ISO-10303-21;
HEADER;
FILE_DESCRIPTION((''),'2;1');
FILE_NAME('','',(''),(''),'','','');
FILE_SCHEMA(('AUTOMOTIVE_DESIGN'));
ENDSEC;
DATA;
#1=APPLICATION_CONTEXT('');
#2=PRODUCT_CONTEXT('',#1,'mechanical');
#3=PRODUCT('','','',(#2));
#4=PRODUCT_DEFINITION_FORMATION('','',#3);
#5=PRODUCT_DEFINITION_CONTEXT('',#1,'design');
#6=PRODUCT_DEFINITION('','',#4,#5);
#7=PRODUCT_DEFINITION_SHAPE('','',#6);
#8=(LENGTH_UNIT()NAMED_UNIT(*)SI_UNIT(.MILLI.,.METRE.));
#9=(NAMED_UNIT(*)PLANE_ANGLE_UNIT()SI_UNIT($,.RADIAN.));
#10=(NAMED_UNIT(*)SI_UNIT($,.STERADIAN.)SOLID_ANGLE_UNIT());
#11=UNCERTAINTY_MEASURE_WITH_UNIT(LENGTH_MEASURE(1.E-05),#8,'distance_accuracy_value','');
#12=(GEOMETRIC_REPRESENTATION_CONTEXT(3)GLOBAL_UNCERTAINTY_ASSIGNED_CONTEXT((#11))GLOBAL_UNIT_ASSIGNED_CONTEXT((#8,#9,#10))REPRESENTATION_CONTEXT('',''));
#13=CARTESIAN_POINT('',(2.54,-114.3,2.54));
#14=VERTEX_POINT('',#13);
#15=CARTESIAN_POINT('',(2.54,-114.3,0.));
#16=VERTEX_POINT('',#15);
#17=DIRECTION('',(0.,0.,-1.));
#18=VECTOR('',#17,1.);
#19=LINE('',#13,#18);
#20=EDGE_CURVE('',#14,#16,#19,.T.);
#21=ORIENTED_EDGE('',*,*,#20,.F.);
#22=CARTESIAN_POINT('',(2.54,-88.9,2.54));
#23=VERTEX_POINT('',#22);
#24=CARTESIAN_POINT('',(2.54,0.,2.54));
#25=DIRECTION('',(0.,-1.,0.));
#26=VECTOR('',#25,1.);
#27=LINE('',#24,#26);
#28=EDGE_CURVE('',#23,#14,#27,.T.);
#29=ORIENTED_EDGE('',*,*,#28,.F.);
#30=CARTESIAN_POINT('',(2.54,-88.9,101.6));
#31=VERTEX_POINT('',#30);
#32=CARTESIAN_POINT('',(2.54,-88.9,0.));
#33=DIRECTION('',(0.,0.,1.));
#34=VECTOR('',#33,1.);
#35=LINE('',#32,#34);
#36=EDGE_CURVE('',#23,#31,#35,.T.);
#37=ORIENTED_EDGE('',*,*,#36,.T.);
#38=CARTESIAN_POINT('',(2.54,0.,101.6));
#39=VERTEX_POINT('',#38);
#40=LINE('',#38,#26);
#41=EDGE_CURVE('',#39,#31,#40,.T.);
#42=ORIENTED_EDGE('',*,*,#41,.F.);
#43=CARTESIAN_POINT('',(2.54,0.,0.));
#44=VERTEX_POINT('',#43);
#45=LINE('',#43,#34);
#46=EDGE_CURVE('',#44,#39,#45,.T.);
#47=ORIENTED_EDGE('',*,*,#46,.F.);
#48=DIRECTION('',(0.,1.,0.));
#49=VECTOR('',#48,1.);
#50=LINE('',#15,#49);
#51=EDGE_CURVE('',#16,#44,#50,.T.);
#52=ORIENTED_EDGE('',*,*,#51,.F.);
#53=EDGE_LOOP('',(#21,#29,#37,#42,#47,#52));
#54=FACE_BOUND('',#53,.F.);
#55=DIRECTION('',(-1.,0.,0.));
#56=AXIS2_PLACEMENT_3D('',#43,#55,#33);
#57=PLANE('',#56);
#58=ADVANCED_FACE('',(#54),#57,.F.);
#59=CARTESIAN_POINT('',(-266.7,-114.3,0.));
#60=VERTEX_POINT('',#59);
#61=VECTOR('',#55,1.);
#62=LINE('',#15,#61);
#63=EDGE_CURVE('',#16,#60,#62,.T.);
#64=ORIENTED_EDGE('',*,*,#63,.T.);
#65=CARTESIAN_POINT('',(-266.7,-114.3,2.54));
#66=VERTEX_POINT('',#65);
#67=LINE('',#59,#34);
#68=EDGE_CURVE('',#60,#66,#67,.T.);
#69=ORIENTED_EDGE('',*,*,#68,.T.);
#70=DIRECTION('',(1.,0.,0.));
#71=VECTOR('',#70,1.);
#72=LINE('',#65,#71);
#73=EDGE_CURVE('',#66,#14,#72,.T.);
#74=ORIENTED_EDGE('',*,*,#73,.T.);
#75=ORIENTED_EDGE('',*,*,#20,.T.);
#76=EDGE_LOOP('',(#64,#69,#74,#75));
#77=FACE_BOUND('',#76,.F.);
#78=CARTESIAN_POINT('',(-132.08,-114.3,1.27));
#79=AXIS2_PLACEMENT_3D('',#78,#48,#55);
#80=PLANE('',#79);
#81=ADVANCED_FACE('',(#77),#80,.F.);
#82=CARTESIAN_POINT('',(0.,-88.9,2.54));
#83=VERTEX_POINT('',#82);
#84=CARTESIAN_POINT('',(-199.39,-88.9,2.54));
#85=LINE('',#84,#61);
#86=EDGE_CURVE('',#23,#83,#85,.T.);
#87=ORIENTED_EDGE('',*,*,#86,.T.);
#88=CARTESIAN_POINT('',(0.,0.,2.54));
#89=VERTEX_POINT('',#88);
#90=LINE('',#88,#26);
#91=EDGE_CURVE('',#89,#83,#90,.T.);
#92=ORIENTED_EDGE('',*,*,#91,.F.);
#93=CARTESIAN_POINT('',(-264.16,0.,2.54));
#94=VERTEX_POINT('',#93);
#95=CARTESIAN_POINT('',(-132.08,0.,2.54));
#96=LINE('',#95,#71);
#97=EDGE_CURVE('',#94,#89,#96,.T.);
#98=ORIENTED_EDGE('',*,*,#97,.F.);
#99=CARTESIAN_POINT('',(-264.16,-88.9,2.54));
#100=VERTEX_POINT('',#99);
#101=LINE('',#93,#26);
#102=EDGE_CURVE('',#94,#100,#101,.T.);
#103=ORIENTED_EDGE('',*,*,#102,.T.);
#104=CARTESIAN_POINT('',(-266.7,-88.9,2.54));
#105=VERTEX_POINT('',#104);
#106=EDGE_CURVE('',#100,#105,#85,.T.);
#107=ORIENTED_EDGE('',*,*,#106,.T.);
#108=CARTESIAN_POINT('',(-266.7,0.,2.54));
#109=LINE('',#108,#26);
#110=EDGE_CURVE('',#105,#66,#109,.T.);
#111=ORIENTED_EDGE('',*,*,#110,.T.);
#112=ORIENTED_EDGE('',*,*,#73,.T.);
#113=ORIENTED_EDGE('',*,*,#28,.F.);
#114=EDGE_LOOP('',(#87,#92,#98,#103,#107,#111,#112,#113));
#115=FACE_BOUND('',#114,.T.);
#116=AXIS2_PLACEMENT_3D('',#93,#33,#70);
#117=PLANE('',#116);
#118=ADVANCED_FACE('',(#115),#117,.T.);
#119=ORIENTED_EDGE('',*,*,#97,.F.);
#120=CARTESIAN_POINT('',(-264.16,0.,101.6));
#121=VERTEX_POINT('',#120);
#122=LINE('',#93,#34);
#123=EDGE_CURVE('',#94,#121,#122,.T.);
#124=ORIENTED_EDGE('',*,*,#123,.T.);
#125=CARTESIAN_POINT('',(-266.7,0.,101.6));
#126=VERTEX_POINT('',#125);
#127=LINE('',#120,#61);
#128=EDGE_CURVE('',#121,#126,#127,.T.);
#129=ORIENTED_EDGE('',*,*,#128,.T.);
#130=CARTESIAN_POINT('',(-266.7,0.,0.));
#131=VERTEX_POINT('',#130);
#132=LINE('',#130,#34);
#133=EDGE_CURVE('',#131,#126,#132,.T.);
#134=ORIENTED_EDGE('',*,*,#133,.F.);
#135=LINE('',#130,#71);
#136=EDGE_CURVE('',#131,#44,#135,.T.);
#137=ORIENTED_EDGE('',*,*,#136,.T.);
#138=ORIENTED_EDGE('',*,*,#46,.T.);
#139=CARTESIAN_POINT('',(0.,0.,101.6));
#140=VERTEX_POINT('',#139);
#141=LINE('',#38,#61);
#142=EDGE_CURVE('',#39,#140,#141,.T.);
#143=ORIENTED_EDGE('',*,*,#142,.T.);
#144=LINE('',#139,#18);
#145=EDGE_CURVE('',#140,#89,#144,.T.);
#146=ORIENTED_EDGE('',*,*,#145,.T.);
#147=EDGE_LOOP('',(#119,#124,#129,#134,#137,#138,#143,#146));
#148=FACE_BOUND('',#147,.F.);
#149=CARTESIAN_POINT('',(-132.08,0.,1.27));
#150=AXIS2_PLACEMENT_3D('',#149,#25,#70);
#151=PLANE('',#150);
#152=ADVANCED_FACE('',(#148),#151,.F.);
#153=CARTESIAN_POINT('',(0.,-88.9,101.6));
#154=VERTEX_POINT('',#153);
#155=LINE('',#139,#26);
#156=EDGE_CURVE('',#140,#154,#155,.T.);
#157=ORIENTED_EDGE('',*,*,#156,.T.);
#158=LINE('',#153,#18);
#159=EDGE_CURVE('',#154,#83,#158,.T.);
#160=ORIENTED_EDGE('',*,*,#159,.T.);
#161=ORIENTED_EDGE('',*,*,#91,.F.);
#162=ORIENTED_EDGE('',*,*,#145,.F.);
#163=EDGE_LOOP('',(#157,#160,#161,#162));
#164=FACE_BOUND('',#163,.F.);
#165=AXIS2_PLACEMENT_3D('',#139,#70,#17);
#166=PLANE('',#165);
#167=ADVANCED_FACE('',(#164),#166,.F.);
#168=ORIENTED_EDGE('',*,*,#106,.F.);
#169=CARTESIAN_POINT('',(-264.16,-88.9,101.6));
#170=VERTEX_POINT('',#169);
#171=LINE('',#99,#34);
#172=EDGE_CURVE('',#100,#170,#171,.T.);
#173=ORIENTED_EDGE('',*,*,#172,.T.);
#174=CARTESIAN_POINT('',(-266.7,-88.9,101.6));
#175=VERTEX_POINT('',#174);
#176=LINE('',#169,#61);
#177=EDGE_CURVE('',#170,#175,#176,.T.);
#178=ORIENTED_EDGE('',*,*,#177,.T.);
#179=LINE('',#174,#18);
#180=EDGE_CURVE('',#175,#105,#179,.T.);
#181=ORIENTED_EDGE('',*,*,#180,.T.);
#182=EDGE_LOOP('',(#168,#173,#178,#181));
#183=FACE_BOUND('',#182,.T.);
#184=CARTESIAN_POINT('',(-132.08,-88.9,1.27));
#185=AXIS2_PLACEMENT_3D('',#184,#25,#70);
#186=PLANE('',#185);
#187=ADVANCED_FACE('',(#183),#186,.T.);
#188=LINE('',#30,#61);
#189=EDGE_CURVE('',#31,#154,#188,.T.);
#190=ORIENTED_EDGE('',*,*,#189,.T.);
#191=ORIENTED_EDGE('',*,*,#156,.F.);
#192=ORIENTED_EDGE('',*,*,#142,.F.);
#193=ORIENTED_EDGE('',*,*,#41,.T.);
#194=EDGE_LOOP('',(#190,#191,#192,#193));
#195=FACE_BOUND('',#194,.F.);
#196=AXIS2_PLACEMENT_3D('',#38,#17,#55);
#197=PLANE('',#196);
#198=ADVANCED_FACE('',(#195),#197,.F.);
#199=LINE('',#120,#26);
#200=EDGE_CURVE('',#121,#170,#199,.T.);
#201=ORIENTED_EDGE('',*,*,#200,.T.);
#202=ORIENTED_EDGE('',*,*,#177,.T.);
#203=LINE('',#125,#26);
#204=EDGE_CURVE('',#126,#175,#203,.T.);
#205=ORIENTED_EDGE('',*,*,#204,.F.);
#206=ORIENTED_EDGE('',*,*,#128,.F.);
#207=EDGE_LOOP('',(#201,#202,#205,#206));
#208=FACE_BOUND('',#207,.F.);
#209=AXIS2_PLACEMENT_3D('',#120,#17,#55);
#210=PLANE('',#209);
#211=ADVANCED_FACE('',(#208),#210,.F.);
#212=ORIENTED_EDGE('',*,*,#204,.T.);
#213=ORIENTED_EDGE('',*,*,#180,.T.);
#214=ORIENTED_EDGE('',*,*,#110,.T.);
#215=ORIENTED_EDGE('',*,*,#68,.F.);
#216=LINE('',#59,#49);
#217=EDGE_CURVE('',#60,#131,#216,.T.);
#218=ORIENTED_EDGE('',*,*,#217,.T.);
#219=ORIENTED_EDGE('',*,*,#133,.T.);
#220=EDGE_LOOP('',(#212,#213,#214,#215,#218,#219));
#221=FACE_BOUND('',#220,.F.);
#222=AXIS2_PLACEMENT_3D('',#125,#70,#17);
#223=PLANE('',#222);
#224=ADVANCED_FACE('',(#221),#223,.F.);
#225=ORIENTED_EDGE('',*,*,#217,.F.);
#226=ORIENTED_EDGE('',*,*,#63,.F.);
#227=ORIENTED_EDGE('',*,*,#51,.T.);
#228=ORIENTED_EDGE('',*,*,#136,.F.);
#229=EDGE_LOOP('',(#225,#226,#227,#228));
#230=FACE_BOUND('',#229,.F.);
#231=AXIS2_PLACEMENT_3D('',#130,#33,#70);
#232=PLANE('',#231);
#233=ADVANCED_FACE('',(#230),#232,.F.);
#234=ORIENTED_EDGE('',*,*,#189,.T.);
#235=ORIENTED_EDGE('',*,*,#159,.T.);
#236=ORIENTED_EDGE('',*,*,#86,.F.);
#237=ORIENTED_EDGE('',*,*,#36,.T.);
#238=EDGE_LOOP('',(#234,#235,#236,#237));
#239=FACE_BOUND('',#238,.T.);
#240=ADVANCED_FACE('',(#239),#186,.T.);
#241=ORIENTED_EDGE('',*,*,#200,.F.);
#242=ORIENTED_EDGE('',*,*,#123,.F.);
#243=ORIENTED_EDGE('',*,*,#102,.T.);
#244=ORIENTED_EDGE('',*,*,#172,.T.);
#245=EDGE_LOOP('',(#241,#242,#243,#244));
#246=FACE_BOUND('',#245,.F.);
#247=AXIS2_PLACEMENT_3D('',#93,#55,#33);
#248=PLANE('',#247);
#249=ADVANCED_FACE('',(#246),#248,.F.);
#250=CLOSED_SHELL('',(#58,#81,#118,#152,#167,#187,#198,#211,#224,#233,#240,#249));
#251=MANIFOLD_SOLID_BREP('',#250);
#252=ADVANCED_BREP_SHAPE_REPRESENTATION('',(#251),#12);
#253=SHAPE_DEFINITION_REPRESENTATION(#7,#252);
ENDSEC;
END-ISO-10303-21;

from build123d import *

# Parameters (mm, degrees)
F0_W     = 264.16
F0_H     = 2.54
F1_DEPTH = 88.9
F3_DEPTH = 114.3


with BuildPart() as f1:
    # F0 (on Front) → F1 (new body)
    with BuildSketch(Plane.XZ):
        with Locations((-132.08, 1.27)):
            Rectangle(F0_W, F0_H)
        Polygon((0, 2.54), (0, 0), (2.54, 0), (2.54, 101.6), (0, 101.6), align=None)
        Polygon((-266.7, 0), (-264.16, 0), (-264.16, 2.54), (-264.16, 101.6), (-266.7, 101.6), align=None)
    extrude(amount=F1_DEPTH)

    # F2 (on face) → F3 (join)
    with BuildSketch(Plane(origin=(0, 0, 0), x_dir=(-1, 0, 0), z_dir=(0, 1, 0))):
        Polygon((266.7, 2.54), (264.16, 2.54), (0, 2.54), (-2.54, 2.54), (-2.54, 0), (266.7, 0), align=None)
    extrude(amount=-F3_DEPTH)


solid = f1.part
